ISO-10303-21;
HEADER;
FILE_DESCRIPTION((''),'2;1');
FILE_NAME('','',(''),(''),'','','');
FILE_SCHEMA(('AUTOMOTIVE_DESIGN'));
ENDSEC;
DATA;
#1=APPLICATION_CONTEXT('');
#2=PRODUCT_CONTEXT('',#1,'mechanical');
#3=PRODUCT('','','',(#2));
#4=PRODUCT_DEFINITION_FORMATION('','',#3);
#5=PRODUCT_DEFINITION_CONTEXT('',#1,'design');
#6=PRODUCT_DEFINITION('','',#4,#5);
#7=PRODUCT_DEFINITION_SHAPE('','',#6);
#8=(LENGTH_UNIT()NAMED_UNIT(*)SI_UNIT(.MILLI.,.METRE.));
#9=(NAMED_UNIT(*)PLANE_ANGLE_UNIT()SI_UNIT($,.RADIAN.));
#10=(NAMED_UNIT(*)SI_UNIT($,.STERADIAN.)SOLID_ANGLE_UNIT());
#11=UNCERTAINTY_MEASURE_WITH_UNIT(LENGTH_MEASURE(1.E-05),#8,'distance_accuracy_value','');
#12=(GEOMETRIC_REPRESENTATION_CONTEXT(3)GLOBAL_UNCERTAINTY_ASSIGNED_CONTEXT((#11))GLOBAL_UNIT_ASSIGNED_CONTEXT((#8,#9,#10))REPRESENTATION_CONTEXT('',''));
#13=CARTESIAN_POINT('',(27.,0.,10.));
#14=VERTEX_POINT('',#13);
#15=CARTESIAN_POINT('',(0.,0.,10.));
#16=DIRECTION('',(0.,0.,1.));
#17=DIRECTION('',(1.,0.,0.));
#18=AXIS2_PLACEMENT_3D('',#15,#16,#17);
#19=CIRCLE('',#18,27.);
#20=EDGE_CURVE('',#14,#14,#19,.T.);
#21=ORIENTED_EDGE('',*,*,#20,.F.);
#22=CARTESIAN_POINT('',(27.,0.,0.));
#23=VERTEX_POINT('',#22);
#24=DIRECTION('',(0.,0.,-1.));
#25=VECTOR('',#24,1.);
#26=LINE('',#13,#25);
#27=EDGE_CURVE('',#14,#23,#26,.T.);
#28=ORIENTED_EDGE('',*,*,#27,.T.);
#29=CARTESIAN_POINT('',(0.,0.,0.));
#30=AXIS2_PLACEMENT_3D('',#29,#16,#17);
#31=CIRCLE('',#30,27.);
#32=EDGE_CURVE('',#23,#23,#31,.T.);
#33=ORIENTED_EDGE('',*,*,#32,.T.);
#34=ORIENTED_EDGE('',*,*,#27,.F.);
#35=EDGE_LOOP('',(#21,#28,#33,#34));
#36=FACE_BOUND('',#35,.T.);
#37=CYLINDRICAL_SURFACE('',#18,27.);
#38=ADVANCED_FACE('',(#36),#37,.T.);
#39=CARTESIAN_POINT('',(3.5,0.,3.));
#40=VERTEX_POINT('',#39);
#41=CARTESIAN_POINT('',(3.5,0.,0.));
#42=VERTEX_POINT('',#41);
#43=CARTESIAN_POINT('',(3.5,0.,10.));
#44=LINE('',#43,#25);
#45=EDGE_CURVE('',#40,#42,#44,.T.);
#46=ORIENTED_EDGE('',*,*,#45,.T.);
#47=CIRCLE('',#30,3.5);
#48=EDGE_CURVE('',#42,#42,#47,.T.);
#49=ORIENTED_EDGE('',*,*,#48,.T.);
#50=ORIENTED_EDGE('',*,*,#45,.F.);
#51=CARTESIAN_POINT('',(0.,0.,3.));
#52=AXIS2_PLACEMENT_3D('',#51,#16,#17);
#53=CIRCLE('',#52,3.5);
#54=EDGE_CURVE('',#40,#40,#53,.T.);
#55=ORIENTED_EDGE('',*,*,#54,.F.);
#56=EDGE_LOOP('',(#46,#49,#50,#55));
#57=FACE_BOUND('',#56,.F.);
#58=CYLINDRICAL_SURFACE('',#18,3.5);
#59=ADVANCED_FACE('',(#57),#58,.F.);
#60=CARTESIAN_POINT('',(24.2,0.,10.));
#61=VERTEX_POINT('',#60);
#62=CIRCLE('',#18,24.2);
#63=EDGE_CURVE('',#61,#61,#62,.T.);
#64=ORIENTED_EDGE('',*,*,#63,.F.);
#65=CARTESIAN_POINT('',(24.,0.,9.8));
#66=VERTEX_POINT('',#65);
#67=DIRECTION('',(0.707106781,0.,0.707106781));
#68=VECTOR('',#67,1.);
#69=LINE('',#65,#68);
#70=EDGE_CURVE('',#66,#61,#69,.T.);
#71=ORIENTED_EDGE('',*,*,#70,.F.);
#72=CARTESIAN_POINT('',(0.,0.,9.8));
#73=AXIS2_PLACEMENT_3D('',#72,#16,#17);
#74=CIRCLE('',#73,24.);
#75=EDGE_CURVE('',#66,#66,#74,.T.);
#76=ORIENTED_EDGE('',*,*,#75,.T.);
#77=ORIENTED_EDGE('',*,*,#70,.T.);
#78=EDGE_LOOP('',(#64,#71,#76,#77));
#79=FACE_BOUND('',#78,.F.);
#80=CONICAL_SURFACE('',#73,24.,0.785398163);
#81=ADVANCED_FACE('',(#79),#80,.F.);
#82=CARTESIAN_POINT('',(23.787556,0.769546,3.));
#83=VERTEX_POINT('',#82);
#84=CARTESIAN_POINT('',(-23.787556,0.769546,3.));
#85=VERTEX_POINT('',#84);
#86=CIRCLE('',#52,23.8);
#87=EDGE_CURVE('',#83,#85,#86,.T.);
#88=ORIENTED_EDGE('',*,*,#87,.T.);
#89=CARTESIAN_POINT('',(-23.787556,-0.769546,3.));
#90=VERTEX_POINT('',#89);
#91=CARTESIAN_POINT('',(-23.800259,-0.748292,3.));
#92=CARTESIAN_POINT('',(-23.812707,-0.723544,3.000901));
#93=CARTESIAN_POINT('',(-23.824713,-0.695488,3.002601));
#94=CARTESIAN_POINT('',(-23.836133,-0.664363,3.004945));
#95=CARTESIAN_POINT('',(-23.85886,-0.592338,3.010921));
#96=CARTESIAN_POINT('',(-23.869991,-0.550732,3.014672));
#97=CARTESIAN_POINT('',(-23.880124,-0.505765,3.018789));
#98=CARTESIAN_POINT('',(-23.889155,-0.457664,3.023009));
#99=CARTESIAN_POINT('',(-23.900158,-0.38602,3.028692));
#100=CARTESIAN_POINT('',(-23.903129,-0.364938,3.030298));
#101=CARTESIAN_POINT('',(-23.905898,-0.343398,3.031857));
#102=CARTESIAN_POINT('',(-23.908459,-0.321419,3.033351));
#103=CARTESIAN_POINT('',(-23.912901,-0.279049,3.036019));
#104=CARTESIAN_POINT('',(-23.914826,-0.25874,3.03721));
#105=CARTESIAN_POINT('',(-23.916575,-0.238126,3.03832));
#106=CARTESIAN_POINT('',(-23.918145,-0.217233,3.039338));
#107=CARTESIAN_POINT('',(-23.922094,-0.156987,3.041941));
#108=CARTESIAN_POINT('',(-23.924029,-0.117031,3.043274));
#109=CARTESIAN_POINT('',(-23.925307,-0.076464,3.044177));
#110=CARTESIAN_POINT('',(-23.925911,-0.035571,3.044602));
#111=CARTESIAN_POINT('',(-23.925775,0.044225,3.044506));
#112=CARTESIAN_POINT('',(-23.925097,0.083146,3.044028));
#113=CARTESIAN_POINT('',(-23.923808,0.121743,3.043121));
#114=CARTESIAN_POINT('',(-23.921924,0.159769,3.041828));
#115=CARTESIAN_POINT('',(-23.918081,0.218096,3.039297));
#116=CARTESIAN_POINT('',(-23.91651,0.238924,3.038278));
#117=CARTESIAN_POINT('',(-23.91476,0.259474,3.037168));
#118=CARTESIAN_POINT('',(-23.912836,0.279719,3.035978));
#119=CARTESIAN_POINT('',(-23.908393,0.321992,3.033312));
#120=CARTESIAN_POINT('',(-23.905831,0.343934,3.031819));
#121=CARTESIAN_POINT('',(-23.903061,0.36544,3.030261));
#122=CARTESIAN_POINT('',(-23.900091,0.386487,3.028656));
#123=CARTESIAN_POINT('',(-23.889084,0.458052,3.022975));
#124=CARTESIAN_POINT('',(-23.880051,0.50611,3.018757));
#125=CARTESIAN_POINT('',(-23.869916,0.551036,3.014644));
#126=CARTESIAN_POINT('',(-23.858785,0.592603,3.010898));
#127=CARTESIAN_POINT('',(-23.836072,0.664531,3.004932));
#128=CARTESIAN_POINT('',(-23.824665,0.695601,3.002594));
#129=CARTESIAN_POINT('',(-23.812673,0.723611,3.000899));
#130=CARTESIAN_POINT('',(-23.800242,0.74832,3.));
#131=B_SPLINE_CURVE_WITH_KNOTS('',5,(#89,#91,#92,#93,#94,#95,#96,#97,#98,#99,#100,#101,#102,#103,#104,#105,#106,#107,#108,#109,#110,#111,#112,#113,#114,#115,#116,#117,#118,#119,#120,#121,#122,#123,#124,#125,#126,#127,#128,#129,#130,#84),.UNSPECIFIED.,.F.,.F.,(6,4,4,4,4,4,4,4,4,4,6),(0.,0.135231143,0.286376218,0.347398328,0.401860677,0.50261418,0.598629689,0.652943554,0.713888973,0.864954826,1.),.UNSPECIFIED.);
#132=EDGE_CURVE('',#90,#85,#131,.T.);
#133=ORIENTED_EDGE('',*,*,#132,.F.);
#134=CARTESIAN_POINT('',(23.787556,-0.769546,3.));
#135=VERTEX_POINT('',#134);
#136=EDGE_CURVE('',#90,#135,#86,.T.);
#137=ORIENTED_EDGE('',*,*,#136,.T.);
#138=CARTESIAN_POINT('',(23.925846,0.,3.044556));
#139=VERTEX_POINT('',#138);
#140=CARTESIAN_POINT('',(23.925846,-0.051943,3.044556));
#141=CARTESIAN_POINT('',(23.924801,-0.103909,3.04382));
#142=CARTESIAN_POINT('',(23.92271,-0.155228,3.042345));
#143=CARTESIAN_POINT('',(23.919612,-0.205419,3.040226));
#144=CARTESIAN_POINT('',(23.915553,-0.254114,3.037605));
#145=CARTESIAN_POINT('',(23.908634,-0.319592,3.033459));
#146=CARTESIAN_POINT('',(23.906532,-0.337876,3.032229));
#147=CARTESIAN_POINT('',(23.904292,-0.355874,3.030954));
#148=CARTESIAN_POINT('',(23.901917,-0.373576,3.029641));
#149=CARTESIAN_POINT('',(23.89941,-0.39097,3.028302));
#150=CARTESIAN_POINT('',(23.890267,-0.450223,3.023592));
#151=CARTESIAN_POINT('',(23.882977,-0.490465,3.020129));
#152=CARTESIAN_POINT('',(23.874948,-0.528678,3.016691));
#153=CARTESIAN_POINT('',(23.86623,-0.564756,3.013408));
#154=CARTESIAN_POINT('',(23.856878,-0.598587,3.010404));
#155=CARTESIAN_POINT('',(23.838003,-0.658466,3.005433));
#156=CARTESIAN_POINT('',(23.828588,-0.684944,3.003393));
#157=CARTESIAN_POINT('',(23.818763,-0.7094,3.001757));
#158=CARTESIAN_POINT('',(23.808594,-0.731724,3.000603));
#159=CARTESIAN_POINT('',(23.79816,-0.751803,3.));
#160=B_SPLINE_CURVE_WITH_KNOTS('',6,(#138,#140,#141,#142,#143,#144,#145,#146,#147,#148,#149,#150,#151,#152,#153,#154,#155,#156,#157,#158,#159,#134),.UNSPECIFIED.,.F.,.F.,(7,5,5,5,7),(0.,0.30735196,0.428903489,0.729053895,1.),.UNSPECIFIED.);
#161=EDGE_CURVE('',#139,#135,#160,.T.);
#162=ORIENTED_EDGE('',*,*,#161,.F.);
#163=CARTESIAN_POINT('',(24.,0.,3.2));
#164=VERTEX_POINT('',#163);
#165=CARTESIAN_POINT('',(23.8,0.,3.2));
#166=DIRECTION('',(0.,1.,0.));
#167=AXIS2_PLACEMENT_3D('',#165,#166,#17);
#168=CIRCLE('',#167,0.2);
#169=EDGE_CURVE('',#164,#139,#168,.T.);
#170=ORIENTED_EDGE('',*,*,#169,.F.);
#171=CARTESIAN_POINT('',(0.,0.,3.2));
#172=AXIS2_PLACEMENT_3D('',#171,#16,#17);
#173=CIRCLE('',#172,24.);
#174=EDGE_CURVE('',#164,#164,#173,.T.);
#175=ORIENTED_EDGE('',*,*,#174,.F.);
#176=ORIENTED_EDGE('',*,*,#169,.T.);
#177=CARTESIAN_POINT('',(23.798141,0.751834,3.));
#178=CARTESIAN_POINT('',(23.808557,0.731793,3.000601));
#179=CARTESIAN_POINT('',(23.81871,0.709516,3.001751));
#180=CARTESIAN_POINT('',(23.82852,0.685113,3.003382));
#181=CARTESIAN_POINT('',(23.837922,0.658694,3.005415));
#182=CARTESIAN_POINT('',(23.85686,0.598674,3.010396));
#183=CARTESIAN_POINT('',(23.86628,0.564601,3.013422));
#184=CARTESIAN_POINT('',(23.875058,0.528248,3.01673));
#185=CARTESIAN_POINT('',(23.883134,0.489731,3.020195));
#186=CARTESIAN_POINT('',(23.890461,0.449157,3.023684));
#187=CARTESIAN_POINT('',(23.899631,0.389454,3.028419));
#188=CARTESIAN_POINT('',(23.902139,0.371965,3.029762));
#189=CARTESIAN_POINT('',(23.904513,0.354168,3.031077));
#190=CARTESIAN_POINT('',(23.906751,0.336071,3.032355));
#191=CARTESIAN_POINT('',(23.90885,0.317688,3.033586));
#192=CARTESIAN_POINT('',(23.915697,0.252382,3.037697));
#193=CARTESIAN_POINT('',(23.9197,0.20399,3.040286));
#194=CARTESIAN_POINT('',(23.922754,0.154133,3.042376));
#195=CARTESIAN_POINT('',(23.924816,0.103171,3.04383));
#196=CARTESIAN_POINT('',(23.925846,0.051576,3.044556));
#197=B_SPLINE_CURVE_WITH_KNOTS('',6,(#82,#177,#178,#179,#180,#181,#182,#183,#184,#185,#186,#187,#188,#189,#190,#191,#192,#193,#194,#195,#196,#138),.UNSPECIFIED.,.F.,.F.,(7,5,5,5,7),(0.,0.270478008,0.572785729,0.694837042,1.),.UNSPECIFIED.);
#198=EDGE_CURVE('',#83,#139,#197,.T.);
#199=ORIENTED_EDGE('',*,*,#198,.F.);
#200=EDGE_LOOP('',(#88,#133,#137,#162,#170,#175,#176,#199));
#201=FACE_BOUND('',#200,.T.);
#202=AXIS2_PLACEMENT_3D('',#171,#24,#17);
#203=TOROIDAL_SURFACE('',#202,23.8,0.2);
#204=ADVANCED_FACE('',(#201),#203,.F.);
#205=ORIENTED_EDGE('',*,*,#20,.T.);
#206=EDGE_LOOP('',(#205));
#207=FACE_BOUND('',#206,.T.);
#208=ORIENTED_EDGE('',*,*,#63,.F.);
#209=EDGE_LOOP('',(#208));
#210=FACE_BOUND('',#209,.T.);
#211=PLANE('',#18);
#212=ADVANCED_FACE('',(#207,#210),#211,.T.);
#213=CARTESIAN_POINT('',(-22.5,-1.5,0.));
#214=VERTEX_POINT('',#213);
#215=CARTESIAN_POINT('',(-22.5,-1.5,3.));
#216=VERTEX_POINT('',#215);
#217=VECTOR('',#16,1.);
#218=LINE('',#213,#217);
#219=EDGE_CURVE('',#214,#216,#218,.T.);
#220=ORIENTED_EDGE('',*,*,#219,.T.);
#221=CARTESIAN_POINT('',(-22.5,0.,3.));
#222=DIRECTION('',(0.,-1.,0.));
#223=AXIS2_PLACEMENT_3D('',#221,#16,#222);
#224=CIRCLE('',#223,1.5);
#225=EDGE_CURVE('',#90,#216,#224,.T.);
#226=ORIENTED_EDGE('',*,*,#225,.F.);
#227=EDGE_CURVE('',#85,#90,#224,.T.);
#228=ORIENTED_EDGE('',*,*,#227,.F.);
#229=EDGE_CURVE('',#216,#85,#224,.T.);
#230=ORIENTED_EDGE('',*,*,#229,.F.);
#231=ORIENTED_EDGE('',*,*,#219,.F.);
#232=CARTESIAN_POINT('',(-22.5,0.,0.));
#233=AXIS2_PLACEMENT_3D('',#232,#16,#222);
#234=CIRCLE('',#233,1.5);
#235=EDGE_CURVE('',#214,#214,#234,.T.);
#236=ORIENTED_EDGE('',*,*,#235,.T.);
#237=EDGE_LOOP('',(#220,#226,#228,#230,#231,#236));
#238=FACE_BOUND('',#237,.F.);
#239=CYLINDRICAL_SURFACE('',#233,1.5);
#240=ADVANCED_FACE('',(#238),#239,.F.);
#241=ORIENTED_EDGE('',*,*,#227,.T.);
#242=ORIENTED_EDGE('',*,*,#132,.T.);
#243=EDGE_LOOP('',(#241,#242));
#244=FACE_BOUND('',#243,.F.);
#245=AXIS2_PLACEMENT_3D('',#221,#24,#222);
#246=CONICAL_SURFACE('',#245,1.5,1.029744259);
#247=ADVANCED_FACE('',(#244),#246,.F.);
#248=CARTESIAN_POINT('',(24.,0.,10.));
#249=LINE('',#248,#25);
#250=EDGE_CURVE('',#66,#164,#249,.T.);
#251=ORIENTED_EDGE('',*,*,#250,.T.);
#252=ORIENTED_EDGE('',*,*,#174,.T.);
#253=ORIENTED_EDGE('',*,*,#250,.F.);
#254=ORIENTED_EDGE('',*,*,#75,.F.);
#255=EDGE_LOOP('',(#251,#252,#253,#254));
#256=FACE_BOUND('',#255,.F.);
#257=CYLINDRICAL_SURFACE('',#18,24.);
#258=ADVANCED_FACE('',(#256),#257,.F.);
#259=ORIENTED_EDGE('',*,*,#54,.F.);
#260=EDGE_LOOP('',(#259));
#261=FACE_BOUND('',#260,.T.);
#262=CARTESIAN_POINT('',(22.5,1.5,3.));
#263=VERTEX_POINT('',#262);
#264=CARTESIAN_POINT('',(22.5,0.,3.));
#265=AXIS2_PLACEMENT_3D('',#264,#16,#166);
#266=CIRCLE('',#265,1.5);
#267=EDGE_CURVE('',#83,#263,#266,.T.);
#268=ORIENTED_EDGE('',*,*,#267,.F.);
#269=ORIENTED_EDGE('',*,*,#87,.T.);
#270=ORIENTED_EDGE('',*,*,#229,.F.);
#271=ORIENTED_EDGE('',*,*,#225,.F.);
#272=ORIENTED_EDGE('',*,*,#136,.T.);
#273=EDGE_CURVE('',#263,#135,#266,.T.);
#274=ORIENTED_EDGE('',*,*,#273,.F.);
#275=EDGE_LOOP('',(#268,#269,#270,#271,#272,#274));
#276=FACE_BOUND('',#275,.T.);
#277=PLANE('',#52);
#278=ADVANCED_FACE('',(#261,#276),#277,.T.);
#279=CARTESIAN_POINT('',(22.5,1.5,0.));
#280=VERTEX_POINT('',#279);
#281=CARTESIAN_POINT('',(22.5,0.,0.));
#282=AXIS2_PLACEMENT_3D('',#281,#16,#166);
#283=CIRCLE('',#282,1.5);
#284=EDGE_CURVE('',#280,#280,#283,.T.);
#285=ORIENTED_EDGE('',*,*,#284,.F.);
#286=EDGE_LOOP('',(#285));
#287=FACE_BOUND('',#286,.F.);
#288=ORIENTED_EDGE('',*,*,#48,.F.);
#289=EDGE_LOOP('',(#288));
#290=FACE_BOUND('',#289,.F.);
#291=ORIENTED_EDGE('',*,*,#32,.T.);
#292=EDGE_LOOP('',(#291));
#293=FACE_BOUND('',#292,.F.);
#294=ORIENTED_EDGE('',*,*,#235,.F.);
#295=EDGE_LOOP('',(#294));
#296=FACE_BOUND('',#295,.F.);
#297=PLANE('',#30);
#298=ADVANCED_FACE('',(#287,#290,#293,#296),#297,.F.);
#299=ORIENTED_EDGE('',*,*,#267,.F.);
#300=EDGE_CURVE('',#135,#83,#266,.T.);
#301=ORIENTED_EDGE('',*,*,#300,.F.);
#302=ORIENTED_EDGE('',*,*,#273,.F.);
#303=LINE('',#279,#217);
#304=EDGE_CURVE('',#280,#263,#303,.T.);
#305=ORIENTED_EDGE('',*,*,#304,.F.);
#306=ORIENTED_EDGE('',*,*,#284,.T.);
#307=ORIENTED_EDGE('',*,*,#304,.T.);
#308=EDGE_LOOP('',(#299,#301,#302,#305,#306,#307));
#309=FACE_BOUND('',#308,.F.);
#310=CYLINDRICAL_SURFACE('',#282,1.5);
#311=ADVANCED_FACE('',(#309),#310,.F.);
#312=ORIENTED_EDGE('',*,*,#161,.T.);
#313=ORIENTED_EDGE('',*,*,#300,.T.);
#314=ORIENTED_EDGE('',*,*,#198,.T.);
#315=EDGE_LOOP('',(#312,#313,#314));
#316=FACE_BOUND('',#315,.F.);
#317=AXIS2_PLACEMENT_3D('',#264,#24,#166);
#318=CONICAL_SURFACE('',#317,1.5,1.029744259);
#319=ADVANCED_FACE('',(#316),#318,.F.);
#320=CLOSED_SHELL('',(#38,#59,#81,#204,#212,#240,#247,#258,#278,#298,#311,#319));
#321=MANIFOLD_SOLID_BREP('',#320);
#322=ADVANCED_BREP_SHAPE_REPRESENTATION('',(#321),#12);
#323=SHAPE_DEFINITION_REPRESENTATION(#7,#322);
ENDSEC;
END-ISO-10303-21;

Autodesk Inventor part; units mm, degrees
ref_plane "XY Plane" through (0, 0, 0) normal (0, 0, 1) x (1, 0, 0)
sketch "Skizze1" plane through (0, 0, 0) normal (0, 0, 1) x (1, 0, 0)
  circle A0 centre (0, 0) radius 30
  dimension "d0" = 60
extrude "Extrusion1" add sketch "Skizze1" along normal blind 10
sketch "Skizze2" plane through (0, 0, 10) normal (0, 0, 1) x (1, 0, 0)
  circle A0 centre (0, 0) radius 30 projected
  circle A1 centre (0, 0) radius 24
  circle A2 centre (0, 0) radius 3
  dimension "d3" = 6
  dimension "d4" = 6
extrude "Extrusion2" cut sketch "Skizze2" against normal blind 7 contours A1 | A2
sketch "Skizze3" plane through (0, 0, 10) normal (0, 0, 1) x (1, 0, 0)
  circle A0 centre (0, 0) radius 3.5
  dimension "d7" = 7
extrude "Extrusion3" cut sketch "Skizze3" along normal through all both and the other way through all
fillet "Rundung1" radius 0.2 1 edges at (-24, 0, 3)
chamfer "Fase1" distance 0.2 angle 45 3 edges at (-30, 0, 0) (-30, 0, 10) (-24, 0, 10)
sketch "Skizze4" plane through (0, 0, 10) normal (0, 0, 1) x (1, 0, 0)
  circle A0 centre (0, 0) radius 27
  circle A1 centre (0, 0) radius 37
  dimension "d14" = 54
  dimension "d15" = 10
extrude "Extrusion4" cut sketch "Skizze4" along normal through all both and the other way through all
ref_plane "Arbeitsebene1" through (22.5, 0, 0) normal (1, 0, 0) x (0, 1, 0)
ref_plane "Arbeitsebene2" through (0, 0, 0) normal (0, 1, 0) x (-1, 0, 0)
hole "Bohrung2" at (22.5, 0, 0) direction (0, 0, 1) diameter 3 depth 3 tip angle 118
pattern_circular "Runde Anordnung2" count 2 over 360 about axis through (0, 0, 10) along (0, 0, 1) of "Bohrung2"
sketch "Skizze6" plane through (0, 0, 10) normal (0, 0, 1) x (1, 0, 0)
  circle A0 centre (-22.5, 0) radius 1.5
  circle A1 centre (0, 0) radius 24.2 projected
  dimension "d25" = 3
  dimension "d26" = 22.5
sketch "Skizze5" plane through (0, 0, 10) normal (0, 0, 1) x (1, 0, 0)
  circle A0 centre (0, 0) radius 3.2 projected
  circle A1 centre (0, 0) radius 27.5
  circle A2 centre (0, 0) radius 30
  dimension "d18" = 55
  dimension "d19" = 60
properties part number "felge" material "Aluminium 6061"
